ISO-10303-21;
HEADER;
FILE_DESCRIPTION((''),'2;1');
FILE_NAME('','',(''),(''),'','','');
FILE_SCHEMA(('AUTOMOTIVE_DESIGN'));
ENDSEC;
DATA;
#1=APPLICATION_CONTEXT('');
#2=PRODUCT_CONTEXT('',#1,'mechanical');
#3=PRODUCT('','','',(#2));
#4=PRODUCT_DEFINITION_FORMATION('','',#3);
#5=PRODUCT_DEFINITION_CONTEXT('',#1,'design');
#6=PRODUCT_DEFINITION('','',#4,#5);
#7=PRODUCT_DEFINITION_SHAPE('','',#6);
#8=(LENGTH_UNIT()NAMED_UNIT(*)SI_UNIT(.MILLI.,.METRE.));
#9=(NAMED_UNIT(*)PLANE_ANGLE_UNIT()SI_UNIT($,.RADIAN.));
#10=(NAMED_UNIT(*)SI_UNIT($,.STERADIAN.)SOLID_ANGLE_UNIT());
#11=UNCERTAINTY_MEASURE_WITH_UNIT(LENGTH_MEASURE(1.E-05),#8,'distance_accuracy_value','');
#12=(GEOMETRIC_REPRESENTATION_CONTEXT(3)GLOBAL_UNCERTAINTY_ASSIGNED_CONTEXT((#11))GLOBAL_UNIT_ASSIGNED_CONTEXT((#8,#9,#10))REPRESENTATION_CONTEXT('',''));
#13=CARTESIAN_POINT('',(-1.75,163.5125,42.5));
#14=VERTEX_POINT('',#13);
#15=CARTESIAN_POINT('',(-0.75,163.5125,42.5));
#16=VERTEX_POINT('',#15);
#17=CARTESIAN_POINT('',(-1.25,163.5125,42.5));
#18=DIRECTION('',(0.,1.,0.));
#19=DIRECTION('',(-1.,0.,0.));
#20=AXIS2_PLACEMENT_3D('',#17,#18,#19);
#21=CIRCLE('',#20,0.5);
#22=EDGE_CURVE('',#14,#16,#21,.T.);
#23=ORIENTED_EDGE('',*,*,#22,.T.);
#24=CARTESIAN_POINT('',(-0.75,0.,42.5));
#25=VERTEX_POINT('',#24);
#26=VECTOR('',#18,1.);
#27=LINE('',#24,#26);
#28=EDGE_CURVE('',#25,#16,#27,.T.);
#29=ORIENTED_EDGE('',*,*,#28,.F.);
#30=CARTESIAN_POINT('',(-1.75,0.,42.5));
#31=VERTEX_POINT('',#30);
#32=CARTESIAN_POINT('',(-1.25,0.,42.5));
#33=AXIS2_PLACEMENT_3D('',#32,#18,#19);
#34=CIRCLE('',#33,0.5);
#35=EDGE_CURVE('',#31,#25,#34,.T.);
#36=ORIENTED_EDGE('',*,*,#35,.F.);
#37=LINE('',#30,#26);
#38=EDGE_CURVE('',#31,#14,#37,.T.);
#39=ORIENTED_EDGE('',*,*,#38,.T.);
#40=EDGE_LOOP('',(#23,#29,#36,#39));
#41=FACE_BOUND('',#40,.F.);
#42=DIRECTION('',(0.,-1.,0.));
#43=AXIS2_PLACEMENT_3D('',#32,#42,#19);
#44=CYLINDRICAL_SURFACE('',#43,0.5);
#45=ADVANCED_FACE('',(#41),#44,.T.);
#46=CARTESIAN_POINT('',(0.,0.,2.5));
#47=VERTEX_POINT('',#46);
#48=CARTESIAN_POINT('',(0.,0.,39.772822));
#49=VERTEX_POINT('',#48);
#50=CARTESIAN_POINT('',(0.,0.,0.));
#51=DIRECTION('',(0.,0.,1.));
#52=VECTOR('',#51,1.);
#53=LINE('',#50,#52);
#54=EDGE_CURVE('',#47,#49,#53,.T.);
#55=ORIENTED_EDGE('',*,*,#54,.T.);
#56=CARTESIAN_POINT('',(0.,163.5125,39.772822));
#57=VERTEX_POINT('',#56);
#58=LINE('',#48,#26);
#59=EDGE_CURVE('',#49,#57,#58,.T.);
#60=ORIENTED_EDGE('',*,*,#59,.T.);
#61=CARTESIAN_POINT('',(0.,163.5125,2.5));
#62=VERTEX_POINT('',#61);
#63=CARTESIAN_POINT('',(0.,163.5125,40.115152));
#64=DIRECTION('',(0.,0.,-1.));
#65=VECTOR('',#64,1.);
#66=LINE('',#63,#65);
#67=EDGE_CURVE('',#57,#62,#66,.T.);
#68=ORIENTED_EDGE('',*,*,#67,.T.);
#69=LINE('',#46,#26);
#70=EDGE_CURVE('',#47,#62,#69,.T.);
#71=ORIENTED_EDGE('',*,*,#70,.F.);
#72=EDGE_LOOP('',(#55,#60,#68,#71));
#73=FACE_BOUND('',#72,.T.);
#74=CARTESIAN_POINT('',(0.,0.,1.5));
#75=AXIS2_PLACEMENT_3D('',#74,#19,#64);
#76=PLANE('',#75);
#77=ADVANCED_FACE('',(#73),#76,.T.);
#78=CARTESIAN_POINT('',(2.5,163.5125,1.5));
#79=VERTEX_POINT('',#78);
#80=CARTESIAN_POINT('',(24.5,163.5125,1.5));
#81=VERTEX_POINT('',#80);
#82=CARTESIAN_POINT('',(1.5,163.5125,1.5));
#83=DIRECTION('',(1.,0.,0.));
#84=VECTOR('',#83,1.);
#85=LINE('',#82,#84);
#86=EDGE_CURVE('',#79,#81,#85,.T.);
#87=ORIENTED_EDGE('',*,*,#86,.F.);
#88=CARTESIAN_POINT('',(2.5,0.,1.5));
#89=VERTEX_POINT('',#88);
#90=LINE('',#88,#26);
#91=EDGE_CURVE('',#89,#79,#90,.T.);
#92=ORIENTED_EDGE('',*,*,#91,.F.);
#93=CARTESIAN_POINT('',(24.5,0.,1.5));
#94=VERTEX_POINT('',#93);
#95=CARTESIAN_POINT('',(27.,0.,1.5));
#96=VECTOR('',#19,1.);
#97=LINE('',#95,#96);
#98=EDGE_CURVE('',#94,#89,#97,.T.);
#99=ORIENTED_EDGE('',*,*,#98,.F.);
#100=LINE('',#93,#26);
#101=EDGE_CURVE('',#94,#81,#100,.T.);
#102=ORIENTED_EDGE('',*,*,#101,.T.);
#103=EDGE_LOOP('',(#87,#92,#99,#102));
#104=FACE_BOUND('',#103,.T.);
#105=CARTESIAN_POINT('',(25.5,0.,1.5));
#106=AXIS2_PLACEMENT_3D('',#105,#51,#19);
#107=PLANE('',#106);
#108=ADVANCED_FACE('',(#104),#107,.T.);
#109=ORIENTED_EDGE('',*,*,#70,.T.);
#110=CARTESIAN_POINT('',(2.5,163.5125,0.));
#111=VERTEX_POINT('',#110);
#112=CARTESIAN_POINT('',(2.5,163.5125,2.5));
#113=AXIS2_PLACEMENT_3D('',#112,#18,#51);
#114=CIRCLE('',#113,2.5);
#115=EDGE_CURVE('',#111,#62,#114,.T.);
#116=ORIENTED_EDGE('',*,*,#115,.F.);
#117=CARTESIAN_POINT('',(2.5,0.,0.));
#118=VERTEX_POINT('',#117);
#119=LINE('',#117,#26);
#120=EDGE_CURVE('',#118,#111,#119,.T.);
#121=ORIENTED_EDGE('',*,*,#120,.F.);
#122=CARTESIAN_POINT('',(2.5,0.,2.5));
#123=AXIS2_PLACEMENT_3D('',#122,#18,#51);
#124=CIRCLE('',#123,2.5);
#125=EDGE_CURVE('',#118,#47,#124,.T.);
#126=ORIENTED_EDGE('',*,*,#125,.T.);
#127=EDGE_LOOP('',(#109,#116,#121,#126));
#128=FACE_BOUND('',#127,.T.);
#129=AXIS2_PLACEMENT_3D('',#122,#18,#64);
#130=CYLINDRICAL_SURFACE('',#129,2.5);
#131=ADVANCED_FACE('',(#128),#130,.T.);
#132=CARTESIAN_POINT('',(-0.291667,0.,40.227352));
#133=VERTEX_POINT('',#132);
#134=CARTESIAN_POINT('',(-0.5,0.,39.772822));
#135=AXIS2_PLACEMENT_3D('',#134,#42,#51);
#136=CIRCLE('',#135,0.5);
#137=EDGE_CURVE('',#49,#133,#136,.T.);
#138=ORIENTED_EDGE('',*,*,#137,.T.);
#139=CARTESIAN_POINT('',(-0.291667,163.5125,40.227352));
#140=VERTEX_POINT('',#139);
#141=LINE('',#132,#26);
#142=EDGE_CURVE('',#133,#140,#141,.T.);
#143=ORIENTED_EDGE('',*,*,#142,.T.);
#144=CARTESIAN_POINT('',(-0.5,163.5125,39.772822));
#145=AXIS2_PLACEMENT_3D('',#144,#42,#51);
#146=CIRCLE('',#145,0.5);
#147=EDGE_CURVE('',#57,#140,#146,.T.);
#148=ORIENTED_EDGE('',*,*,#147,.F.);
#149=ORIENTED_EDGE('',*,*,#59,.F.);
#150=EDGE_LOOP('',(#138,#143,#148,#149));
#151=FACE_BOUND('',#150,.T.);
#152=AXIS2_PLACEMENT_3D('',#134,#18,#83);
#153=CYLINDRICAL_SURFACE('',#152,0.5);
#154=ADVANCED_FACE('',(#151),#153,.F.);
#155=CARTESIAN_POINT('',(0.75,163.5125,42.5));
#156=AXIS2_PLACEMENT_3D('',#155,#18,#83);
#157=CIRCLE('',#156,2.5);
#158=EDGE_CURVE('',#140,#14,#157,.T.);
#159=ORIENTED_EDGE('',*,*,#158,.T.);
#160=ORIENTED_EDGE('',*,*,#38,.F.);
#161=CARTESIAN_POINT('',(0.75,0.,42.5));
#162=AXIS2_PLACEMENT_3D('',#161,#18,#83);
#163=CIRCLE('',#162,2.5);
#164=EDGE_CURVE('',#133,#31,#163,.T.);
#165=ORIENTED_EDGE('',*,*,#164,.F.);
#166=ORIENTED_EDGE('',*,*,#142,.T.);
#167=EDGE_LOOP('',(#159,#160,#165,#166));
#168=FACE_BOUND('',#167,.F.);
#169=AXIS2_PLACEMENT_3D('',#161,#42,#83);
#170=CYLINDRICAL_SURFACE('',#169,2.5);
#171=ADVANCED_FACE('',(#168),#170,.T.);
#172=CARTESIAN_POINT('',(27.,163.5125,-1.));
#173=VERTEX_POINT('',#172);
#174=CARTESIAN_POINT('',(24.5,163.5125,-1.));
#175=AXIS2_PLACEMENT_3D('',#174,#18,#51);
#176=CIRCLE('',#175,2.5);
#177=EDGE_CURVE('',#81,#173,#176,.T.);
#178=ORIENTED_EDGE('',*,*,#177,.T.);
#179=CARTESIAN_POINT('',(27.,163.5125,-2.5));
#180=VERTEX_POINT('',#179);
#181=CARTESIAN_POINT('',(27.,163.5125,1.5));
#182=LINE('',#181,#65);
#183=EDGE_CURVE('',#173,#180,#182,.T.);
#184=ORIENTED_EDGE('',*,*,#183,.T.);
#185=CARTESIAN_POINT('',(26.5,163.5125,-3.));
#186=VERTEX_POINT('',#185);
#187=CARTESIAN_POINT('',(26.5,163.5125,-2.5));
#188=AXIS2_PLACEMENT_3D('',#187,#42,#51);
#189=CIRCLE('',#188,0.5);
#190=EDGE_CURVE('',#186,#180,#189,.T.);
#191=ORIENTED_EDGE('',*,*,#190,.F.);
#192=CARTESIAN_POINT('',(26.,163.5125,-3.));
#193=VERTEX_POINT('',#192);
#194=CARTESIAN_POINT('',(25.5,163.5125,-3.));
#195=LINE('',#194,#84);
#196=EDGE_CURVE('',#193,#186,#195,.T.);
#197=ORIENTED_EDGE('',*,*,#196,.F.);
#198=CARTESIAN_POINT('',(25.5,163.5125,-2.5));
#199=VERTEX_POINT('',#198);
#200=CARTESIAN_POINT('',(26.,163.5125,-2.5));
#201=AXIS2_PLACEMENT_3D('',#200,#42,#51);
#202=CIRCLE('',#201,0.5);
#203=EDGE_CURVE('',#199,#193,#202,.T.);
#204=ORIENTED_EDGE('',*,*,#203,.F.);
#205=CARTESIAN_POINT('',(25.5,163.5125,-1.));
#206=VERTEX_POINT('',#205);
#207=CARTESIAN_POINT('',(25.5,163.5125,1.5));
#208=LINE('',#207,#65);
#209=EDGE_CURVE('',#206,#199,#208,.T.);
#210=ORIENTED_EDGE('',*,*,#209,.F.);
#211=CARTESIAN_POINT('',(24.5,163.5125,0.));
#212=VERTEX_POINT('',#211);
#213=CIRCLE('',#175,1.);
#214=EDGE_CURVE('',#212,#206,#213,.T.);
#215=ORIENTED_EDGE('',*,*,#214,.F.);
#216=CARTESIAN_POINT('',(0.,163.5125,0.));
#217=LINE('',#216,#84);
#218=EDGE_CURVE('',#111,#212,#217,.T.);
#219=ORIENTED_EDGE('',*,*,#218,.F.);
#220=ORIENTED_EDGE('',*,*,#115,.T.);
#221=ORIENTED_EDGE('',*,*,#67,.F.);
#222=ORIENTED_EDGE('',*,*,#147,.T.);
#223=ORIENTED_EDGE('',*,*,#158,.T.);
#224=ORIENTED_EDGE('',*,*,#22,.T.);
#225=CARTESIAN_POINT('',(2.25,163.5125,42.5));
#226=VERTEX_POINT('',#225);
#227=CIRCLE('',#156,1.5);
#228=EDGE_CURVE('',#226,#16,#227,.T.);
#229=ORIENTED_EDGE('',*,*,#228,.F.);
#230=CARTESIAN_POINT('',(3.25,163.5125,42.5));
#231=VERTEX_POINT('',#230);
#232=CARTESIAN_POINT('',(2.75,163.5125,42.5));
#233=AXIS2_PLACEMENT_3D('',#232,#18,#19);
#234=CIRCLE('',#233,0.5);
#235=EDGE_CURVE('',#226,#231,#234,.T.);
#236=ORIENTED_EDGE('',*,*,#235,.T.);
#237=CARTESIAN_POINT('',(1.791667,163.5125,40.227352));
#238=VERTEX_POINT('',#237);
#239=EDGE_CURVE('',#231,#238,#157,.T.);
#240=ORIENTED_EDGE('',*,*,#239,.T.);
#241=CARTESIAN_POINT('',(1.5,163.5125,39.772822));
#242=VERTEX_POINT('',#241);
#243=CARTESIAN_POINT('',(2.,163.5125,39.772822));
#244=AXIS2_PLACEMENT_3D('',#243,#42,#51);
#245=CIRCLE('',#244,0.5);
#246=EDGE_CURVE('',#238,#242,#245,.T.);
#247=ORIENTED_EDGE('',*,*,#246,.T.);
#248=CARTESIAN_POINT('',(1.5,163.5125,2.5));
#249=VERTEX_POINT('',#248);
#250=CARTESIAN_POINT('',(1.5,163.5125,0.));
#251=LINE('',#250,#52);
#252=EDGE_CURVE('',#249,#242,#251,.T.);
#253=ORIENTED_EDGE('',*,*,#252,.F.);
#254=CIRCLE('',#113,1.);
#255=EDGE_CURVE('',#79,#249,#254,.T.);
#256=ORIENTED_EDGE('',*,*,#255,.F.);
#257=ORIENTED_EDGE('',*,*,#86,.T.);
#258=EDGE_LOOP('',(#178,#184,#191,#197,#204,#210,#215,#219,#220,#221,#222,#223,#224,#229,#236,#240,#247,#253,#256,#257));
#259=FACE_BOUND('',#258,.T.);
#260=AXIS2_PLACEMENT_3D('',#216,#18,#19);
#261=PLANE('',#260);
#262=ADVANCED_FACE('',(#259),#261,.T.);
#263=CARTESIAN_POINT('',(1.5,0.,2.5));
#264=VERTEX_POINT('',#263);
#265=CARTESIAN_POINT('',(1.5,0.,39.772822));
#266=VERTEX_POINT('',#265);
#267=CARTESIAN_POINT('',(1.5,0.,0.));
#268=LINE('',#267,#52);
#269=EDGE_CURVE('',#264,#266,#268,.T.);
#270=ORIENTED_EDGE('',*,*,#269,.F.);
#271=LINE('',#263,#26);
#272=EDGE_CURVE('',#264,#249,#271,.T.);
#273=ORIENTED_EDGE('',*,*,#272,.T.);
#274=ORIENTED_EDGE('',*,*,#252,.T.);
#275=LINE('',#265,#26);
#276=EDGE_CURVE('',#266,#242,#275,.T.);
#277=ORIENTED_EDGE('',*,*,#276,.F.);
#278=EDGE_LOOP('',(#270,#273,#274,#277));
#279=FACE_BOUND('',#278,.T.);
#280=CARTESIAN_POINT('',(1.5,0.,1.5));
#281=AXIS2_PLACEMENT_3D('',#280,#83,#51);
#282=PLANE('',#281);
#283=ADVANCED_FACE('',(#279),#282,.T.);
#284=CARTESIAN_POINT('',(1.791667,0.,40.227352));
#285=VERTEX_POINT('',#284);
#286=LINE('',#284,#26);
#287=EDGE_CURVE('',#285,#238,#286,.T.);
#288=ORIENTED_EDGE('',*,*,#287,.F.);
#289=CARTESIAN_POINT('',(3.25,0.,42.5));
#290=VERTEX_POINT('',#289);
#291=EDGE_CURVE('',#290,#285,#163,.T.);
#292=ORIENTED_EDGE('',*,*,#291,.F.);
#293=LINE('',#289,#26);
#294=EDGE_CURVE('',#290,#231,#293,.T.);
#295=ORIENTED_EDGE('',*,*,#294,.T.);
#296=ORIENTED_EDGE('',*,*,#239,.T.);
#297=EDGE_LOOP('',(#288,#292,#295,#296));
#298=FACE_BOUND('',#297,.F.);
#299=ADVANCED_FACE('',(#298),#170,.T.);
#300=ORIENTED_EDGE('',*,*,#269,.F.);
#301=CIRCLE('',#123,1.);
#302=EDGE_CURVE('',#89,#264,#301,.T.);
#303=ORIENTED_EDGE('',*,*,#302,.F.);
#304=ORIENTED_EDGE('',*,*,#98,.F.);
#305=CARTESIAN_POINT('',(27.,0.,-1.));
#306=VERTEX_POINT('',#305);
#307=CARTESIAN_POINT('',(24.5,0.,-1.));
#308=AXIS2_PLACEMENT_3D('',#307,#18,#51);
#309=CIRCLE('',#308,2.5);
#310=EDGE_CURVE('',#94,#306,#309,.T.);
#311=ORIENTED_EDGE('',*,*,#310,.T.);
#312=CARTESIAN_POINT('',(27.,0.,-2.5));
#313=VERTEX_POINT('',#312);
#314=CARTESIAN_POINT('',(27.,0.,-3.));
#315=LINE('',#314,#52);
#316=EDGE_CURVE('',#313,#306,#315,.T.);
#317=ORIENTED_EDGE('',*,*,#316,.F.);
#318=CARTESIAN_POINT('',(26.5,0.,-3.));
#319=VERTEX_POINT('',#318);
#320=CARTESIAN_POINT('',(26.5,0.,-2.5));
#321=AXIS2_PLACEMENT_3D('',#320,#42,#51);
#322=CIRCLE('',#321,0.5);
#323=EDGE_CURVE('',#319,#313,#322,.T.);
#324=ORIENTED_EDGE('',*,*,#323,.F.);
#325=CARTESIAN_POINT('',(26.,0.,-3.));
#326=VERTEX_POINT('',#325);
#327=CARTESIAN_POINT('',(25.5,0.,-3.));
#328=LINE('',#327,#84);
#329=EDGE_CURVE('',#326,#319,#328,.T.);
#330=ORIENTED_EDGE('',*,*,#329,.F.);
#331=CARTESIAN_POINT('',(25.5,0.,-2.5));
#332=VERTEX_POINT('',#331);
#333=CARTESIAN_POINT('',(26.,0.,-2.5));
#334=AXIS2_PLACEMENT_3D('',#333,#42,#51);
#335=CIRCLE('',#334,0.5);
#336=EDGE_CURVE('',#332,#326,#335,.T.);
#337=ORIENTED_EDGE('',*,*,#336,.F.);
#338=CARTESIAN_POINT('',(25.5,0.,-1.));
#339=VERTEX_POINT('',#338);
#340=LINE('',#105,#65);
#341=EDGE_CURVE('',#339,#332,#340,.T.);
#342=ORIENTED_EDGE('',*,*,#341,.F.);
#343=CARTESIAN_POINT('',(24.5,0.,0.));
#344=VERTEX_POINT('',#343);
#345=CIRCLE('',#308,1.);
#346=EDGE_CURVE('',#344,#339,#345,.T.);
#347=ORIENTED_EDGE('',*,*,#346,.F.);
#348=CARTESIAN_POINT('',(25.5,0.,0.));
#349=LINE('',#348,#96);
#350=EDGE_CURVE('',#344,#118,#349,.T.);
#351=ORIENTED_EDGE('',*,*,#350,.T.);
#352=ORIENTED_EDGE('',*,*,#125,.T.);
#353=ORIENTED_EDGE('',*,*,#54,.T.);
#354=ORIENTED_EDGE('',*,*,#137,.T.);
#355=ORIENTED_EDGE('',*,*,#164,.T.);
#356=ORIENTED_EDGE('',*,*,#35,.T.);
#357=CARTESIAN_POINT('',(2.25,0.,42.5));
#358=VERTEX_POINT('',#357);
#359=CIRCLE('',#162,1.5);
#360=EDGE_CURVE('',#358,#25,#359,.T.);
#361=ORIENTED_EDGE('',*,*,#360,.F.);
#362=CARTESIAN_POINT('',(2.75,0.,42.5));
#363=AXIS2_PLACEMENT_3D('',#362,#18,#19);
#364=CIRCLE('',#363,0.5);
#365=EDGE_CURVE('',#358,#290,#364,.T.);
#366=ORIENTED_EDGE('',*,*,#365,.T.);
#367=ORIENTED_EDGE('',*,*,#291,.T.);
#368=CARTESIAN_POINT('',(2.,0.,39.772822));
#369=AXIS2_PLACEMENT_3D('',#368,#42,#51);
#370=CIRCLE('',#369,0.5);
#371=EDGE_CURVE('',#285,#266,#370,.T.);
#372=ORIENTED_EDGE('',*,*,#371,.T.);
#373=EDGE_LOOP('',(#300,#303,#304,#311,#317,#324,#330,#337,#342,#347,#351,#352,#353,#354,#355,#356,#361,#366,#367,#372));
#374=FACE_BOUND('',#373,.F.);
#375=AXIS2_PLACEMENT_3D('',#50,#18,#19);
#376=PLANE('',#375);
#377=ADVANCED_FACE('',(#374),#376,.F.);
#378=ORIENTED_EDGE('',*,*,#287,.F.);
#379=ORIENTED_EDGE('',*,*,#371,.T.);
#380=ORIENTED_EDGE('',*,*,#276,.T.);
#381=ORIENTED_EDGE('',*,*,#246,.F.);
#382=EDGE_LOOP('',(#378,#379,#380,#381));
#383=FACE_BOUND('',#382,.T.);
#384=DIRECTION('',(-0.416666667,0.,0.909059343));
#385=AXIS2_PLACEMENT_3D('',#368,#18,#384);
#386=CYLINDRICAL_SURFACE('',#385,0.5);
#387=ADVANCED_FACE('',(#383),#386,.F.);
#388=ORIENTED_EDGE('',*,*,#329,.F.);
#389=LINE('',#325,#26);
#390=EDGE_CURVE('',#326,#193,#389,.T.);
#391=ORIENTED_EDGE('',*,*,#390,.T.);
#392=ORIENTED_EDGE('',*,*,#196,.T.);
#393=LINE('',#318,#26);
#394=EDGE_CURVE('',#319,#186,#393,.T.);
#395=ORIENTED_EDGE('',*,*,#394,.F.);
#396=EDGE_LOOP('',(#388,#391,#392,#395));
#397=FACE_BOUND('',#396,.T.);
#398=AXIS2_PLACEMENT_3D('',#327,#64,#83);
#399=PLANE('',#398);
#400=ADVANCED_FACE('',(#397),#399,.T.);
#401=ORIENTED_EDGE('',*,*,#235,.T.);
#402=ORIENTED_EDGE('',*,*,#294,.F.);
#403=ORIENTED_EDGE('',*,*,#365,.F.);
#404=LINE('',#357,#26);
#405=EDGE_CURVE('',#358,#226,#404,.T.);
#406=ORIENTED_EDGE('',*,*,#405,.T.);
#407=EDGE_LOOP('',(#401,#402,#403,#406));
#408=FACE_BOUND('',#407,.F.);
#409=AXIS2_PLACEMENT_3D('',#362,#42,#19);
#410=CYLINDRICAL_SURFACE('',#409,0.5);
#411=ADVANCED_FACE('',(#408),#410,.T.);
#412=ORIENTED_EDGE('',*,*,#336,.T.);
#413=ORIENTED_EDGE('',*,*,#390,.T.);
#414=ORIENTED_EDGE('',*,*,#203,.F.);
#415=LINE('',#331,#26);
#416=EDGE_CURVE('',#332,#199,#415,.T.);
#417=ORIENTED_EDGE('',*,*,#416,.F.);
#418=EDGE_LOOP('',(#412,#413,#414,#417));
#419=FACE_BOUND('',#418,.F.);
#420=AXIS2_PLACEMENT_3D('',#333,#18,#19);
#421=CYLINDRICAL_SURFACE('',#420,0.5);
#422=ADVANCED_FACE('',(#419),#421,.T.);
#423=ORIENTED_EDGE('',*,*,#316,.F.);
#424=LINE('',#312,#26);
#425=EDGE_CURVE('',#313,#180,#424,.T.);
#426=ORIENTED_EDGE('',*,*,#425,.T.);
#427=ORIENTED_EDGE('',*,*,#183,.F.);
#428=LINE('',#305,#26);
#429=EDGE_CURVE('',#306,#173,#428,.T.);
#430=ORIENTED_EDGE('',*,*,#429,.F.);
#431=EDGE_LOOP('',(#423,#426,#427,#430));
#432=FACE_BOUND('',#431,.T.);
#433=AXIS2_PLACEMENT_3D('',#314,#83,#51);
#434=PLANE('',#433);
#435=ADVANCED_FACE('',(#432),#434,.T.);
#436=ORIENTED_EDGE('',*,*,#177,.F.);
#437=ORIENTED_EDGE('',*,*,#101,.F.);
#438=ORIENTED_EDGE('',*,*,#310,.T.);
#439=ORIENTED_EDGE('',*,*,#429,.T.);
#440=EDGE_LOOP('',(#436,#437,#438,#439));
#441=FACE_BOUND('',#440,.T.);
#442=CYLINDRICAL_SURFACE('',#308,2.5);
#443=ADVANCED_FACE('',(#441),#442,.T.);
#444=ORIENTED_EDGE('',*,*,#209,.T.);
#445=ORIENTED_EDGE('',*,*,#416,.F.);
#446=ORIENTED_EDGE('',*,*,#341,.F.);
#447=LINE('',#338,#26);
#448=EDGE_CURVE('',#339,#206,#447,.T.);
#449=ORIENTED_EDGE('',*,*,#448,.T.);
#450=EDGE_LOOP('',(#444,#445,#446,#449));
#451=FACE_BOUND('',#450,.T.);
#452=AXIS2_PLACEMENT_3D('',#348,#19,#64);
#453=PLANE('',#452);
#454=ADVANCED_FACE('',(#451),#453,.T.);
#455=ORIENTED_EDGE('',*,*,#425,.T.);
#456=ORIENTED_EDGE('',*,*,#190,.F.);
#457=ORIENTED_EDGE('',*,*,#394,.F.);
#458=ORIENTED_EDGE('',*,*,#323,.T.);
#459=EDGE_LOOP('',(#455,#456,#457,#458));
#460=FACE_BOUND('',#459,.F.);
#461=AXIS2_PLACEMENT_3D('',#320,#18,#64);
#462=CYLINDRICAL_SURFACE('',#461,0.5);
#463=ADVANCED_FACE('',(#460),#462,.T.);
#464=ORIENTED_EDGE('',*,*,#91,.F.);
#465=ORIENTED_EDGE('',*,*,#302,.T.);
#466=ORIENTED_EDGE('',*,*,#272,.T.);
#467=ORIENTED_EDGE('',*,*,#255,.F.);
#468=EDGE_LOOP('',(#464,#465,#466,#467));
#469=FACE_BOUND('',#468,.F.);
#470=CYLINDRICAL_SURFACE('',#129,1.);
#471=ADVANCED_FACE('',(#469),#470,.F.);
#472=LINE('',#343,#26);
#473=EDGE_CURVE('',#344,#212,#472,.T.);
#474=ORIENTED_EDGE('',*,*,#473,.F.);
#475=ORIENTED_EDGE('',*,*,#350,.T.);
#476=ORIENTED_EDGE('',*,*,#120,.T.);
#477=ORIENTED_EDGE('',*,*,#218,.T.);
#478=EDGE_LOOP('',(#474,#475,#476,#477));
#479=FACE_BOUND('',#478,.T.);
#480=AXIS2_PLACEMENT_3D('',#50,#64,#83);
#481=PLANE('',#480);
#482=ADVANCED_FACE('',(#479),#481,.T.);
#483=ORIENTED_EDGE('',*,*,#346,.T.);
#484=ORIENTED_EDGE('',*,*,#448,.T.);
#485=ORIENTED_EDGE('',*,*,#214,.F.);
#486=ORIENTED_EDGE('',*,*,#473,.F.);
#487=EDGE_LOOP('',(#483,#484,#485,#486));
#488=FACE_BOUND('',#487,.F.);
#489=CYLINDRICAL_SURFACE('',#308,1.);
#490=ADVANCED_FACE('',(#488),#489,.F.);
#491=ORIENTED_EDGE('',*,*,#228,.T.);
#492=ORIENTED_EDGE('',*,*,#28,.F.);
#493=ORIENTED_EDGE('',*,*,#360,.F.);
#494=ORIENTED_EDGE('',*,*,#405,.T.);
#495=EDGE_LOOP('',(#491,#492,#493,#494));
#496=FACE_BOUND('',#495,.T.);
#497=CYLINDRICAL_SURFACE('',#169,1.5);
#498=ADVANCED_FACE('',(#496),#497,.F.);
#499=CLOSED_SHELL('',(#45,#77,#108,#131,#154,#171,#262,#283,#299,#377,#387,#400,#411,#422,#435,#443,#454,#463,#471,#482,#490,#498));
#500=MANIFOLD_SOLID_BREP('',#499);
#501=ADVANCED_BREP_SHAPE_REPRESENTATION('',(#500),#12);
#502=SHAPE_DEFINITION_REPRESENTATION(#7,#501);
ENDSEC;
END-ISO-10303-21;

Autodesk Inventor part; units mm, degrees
ref_plane "YZ Plane" through (0, 0, 0) normal (1, 0, 0) x (0, 1, 0)
ref_plane "XZ Plane" through (0, 0, 0) normal (0, 1, 0) x (-1, 0, 0)
ref_plane "XY Plane" through (0, 0, 0) normal (0, 0, 1) x (1, 0, 0)
sketch "Sketch1" plane through (0, 0, 0) normal (0, 1, 0) x (-1, 0, 0)
  line L0 (0, 0) -> (-1.5, 0)
  line L1 (-1.5, 0) -> (-1.5, 41)
  line L2 (-1.5, 41) -> (0, 41) construction
  line L3 (0, 41) -> (0, 0)
  line L4 (0, 0) -> (-27, 0)
  line L5 (-27, 0) -> (-27, 1.5)
  line L6 (-27, 1.5) -> (0, 1.5)
  line L7 (0, 1.5) -> (0, 0)
  line L8 (-27, 1.5) -> (-25.5, 1.5)
  line L9 (-25.5, 1.5) -> (-25.5, -3)
  line L10 (-25.5, -3) -> (-27, -3)
  line L11 (-27, -3) -> (-27, 1.5)
  arc A0 (-2.25, 42.5) -> (0.75, 42.5) centre (-0.75, 42.5) ccw
  line L12 (-0.75, 41) -> (-0.75, 42.5) construction
  line L13 (-0.75, 42.5) -> (0.75, 42.5) construction
  arc A1 (1.75, 42.5) -> (0.75, 42.5) centre (1.25, 42.5) ccw
  arc A2 (-3.25, 42.5) -> (1.75, 42.5) centre (-0.75, 42.5) ccw
  arc A3 (-2.25, 42.5) -> (-3.25, 42.5) centre (-2.75, 42.5) ccw
  point P0 (-0.75, 41)
  point P1 (-25.5, 0)
  point P2 (0, 40.1152)
  point P3 (-1.5, 40.1152)
  point P4 (-1.5, 1.5)
  dimension "d0" = 1.5
  dimension "d1" = 41
  dimension "d2" = 27
  dimension "d3" = 1.5
  dimension "d4" = 1.5
  dimension "d5" = 4.5
  dimension "d6" = 3
  dimension "d7" = 1
extrude "Extrusion1" add sketch "Sketch1" along normal blind 163.5125
fillet "Fillet1" radius 2.5 2 edges at (0, 81.7562, 0) (27, 81.7562, 1.5)
fillet "Fillet2" radius 1 2 edges at (1.5, 81.7562, 1.5) (25.5, 81.7562, 0)
fillet "Fillet3" radius 0.5 4 edges at (0, 81.7562, 40.1152) (1.5, 81.7562, 40.1152) (27, 81.7562, -3) (25.5, 81.7562, -3)
properties part number "Light Cover"
